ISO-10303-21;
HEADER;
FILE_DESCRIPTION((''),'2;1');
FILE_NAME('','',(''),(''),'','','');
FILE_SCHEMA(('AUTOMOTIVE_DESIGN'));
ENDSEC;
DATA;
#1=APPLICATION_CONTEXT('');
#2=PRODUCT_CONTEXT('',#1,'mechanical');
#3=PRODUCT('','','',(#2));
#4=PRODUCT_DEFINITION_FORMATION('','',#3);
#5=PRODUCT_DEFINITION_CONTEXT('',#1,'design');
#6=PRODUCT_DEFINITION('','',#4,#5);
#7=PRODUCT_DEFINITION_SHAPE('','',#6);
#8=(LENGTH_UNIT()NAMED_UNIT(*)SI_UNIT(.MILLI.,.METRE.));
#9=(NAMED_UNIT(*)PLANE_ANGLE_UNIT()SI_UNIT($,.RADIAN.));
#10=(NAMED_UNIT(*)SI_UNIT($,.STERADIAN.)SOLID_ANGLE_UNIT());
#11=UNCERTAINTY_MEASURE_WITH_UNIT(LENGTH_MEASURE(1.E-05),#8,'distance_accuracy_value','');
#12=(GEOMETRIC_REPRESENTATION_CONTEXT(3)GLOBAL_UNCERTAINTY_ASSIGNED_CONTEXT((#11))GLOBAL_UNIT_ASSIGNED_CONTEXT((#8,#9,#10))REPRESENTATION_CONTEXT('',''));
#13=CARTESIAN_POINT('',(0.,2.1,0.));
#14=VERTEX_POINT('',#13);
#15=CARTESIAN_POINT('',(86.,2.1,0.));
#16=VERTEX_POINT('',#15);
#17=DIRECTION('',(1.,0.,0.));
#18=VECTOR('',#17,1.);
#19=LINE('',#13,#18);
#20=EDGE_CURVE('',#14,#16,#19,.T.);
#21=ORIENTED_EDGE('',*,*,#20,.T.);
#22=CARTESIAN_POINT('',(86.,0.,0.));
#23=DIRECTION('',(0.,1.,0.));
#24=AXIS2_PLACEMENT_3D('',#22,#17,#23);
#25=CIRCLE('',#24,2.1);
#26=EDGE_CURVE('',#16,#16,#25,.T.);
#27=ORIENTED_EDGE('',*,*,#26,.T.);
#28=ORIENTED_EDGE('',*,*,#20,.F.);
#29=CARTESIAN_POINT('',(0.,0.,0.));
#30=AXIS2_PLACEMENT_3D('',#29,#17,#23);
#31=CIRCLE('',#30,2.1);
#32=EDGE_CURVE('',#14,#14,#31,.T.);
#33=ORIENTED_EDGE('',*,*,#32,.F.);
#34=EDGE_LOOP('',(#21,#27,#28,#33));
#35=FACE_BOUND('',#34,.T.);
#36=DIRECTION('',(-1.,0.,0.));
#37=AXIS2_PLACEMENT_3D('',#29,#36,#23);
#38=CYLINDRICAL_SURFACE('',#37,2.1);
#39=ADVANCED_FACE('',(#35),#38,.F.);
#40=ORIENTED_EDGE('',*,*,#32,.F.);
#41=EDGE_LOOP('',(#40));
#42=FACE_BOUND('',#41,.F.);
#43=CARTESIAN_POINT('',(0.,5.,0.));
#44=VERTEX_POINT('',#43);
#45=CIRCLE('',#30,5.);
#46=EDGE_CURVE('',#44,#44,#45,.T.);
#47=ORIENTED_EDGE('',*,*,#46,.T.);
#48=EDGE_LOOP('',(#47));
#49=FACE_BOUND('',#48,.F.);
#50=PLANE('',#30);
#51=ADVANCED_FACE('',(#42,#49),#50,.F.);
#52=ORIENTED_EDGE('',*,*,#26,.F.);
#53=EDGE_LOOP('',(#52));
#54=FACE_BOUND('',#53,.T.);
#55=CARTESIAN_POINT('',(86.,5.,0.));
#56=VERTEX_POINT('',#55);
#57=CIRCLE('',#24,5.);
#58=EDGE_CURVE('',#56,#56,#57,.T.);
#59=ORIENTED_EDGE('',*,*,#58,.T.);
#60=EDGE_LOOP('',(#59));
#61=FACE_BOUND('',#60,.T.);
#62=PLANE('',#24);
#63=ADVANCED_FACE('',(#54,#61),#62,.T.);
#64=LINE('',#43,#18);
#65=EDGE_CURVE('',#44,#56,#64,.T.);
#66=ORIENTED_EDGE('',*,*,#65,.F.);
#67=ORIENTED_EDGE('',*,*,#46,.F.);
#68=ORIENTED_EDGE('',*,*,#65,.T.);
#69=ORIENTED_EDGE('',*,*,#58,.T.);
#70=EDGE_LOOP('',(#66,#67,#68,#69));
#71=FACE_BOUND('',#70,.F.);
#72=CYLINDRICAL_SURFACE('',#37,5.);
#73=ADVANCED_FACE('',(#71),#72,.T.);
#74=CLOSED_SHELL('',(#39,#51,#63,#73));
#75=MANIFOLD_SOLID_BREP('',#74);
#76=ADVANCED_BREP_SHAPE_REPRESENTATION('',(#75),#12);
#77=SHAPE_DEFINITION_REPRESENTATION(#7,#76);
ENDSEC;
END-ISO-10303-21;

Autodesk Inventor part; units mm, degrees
ref_plane "YZ Plane" through (0, 0, 0) normal (1, 0, 0) x (0, 1, 0)
ref_plane "XZ Plane" through (0, 0, 0) normal (0, 1, 0) x (-1, 0, 0)
ref_plane "XY Plane" through (0, 0, 0) normal (0, 0, 1) x (1, 0, 0)
sketch "Sketch1" plane through (0, 0, 0) normal (1, 0, 0) x (0, 1, 0)
  circle A0 centre (0, 0) radius 5
  circle A1 centre (0, 0) radius 2.1
  dimension "d0" = 10
  dimension "d1" = 4.2
extrude "Extrusion1" add sketch "Sketch1" along normal blind 86
properties part number "Long Spacer" material "Aluminum 6061"
